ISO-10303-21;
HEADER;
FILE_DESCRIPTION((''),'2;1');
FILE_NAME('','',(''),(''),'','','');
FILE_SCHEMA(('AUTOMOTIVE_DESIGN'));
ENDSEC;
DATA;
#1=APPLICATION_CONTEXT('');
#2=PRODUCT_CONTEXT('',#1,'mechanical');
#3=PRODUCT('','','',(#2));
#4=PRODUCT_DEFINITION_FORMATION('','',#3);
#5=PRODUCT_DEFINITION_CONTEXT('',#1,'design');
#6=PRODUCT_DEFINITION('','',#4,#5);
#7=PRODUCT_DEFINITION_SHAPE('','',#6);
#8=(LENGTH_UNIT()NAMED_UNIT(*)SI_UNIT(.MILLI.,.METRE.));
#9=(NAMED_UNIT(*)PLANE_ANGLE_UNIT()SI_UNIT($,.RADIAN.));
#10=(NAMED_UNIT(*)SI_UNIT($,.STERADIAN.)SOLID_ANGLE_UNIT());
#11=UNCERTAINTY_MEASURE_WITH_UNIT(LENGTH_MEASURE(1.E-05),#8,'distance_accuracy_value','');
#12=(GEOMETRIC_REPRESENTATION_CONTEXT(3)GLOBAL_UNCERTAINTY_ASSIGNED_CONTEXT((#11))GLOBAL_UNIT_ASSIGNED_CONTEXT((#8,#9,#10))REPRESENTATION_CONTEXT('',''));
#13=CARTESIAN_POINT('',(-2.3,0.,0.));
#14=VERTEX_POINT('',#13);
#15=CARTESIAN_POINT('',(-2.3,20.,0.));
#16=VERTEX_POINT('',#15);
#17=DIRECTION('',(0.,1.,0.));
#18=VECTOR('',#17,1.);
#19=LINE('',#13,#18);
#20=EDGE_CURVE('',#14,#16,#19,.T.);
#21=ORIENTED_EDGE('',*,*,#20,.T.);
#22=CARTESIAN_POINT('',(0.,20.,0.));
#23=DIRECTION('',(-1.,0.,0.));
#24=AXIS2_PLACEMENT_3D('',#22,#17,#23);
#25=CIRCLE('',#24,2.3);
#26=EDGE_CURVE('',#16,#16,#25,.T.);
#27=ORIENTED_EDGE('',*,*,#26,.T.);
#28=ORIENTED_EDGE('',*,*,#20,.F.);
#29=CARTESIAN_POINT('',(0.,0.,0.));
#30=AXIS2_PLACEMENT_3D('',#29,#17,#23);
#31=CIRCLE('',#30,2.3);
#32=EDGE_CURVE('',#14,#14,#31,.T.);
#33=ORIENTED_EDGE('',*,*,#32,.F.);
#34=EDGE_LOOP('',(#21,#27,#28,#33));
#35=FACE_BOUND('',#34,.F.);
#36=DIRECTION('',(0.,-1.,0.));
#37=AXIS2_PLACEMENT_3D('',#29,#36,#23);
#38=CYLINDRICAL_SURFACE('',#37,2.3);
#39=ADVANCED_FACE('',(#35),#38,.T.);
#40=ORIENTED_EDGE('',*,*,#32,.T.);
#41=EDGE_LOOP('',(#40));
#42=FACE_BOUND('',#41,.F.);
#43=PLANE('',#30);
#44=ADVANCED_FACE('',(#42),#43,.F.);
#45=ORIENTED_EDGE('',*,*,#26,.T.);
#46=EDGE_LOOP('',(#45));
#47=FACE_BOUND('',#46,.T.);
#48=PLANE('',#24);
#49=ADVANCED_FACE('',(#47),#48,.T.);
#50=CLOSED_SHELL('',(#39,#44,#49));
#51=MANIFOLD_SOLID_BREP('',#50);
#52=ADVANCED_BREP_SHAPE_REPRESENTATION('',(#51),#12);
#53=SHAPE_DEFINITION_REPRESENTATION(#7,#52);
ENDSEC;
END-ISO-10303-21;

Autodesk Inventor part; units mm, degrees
ref_plane "YZ Plane" through (0, 0, 0) normal (1, 0, 0) x (0, 1, 0)
ref_plane "XZ Plane" through (0, 0, 0) normal (0, 1, 0) x (-1, 0, 0)
ref_plane "XY Plane" through (0, 0, 0) normal (0, 0, 1) x (1, 0, 0)
sketch "Esquisse1" plane through (0, 0, 0) normal (0, 1, 0) x (-1, 0, 0)
  circle A0 centre (0, 0) radius 2.3
  dimension "d1" = 4.6
extrude "Extrusion1" add sketch "Esquisse1" along normal blind 20
properties part number "Lien pivot 5mm-20mm"
